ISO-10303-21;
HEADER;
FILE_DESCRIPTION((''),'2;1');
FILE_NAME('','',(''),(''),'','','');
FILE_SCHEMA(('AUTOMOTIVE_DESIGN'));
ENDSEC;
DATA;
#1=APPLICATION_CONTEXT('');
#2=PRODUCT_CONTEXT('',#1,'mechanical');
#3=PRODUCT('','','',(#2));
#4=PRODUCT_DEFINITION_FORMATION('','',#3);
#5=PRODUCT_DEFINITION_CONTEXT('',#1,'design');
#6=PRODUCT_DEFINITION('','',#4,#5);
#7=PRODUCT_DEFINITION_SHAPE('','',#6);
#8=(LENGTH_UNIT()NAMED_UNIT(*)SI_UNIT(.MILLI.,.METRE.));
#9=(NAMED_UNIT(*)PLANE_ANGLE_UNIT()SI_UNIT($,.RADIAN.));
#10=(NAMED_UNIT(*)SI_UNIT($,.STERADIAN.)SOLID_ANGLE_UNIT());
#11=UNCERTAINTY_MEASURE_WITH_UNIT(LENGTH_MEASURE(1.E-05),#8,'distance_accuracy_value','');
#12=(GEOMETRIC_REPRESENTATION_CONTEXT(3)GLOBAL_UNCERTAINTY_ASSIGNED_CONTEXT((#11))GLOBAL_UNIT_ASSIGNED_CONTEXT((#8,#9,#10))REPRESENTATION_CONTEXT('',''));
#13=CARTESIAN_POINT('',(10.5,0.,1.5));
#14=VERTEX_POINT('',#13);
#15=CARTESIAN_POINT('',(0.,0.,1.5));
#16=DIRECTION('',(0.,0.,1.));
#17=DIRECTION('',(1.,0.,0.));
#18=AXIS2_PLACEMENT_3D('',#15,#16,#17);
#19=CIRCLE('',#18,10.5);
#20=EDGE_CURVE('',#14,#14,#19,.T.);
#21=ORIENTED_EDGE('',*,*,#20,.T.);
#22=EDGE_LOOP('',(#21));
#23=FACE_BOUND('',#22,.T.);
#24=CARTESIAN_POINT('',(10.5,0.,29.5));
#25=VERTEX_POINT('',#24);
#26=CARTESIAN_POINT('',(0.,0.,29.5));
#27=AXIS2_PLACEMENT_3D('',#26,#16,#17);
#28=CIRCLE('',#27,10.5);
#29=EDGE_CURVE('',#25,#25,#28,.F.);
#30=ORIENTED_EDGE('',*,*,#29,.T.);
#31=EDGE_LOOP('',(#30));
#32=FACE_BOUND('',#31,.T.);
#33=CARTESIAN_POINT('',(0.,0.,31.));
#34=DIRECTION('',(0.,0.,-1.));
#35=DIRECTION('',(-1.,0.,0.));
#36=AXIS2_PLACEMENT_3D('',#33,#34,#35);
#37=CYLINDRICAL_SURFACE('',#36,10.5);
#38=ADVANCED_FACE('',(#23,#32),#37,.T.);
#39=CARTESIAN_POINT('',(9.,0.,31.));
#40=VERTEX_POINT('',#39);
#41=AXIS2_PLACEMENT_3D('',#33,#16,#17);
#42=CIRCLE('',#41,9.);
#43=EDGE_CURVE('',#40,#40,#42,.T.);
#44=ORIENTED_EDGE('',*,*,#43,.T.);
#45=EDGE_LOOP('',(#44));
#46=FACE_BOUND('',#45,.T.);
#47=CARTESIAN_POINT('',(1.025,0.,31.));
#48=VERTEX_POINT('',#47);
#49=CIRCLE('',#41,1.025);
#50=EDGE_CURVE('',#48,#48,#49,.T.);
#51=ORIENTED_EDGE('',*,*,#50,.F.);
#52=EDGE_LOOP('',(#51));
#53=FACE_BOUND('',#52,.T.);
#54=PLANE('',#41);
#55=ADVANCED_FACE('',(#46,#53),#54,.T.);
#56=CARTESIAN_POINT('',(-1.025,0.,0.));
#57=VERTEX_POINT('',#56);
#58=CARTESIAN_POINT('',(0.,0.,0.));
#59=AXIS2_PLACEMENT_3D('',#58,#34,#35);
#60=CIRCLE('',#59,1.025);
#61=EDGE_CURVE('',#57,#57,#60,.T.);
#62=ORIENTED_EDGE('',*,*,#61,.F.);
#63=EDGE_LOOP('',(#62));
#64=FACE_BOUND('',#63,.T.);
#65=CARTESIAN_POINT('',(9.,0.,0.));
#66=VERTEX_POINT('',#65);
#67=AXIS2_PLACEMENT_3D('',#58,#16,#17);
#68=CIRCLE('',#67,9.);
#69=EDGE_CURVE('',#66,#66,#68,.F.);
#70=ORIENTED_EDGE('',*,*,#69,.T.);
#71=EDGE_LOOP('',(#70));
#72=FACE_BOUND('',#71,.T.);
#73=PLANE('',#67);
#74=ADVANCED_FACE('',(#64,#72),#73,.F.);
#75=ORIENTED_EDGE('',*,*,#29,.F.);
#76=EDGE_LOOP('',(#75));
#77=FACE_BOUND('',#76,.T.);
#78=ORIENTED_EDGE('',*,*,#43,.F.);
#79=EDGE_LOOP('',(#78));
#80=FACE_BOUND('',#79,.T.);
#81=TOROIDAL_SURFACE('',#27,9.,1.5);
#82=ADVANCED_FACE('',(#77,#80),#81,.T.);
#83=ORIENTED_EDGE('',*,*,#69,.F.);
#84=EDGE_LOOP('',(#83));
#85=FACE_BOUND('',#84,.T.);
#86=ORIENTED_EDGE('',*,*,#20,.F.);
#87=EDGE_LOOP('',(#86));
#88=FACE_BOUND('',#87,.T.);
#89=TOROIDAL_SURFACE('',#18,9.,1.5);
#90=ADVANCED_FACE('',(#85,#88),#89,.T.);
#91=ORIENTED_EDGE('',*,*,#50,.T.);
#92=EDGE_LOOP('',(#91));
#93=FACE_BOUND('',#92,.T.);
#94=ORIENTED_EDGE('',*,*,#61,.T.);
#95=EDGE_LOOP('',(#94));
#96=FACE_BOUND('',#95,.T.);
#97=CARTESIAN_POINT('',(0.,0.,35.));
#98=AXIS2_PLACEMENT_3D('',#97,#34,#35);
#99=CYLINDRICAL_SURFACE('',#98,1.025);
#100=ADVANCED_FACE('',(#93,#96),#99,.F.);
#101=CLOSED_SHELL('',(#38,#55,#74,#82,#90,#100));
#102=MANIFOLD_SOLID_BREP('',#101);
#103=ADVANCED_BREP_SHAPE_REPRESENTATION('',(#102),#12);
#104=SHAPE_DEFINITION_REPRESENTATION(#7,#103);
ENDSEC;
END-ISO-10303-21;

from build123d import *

# Parameters (mm, degrees)
SKETCH1_R           = 10.5
BOSS_EXTRUDE1_DEPTH = 31
FILLET1_R           = 1.5
SKETCH2_R           = 1.025
CUT_EXTRUDE1_DEPTH  = 35


with BuildPart() as part:
    # Sketch1 → Boss-Extrude1 (new body)
    with BuildSketch(Plane.XY):
        Circle(SKETCH1_R)
    extrude(amount=BOSS_EXTRUDE1_DEPTH)

    # Fillet1
    fillet1_edges = [part.edges().sort_by_distance(p)[0] for p in [
        (-10.5, 0, 0),
        (-10.5, 0, 31),
    ]]
    fillet(fillet1_edges, radius=FILLET1_R)

    # Sketch2 → Cut-Extrude1 (cut)
    with BuildSketch(Plane(origin=(0, 0, 0), x_dir=(-1, 0, 0), z_dir=(0, 0, -1))):
        Circle(SKETCH2_R)
    extrude(amount=-CUT_EXTRUDE1_DEPTH, mode=Mode.SUBTRACT)


solid = part.part
